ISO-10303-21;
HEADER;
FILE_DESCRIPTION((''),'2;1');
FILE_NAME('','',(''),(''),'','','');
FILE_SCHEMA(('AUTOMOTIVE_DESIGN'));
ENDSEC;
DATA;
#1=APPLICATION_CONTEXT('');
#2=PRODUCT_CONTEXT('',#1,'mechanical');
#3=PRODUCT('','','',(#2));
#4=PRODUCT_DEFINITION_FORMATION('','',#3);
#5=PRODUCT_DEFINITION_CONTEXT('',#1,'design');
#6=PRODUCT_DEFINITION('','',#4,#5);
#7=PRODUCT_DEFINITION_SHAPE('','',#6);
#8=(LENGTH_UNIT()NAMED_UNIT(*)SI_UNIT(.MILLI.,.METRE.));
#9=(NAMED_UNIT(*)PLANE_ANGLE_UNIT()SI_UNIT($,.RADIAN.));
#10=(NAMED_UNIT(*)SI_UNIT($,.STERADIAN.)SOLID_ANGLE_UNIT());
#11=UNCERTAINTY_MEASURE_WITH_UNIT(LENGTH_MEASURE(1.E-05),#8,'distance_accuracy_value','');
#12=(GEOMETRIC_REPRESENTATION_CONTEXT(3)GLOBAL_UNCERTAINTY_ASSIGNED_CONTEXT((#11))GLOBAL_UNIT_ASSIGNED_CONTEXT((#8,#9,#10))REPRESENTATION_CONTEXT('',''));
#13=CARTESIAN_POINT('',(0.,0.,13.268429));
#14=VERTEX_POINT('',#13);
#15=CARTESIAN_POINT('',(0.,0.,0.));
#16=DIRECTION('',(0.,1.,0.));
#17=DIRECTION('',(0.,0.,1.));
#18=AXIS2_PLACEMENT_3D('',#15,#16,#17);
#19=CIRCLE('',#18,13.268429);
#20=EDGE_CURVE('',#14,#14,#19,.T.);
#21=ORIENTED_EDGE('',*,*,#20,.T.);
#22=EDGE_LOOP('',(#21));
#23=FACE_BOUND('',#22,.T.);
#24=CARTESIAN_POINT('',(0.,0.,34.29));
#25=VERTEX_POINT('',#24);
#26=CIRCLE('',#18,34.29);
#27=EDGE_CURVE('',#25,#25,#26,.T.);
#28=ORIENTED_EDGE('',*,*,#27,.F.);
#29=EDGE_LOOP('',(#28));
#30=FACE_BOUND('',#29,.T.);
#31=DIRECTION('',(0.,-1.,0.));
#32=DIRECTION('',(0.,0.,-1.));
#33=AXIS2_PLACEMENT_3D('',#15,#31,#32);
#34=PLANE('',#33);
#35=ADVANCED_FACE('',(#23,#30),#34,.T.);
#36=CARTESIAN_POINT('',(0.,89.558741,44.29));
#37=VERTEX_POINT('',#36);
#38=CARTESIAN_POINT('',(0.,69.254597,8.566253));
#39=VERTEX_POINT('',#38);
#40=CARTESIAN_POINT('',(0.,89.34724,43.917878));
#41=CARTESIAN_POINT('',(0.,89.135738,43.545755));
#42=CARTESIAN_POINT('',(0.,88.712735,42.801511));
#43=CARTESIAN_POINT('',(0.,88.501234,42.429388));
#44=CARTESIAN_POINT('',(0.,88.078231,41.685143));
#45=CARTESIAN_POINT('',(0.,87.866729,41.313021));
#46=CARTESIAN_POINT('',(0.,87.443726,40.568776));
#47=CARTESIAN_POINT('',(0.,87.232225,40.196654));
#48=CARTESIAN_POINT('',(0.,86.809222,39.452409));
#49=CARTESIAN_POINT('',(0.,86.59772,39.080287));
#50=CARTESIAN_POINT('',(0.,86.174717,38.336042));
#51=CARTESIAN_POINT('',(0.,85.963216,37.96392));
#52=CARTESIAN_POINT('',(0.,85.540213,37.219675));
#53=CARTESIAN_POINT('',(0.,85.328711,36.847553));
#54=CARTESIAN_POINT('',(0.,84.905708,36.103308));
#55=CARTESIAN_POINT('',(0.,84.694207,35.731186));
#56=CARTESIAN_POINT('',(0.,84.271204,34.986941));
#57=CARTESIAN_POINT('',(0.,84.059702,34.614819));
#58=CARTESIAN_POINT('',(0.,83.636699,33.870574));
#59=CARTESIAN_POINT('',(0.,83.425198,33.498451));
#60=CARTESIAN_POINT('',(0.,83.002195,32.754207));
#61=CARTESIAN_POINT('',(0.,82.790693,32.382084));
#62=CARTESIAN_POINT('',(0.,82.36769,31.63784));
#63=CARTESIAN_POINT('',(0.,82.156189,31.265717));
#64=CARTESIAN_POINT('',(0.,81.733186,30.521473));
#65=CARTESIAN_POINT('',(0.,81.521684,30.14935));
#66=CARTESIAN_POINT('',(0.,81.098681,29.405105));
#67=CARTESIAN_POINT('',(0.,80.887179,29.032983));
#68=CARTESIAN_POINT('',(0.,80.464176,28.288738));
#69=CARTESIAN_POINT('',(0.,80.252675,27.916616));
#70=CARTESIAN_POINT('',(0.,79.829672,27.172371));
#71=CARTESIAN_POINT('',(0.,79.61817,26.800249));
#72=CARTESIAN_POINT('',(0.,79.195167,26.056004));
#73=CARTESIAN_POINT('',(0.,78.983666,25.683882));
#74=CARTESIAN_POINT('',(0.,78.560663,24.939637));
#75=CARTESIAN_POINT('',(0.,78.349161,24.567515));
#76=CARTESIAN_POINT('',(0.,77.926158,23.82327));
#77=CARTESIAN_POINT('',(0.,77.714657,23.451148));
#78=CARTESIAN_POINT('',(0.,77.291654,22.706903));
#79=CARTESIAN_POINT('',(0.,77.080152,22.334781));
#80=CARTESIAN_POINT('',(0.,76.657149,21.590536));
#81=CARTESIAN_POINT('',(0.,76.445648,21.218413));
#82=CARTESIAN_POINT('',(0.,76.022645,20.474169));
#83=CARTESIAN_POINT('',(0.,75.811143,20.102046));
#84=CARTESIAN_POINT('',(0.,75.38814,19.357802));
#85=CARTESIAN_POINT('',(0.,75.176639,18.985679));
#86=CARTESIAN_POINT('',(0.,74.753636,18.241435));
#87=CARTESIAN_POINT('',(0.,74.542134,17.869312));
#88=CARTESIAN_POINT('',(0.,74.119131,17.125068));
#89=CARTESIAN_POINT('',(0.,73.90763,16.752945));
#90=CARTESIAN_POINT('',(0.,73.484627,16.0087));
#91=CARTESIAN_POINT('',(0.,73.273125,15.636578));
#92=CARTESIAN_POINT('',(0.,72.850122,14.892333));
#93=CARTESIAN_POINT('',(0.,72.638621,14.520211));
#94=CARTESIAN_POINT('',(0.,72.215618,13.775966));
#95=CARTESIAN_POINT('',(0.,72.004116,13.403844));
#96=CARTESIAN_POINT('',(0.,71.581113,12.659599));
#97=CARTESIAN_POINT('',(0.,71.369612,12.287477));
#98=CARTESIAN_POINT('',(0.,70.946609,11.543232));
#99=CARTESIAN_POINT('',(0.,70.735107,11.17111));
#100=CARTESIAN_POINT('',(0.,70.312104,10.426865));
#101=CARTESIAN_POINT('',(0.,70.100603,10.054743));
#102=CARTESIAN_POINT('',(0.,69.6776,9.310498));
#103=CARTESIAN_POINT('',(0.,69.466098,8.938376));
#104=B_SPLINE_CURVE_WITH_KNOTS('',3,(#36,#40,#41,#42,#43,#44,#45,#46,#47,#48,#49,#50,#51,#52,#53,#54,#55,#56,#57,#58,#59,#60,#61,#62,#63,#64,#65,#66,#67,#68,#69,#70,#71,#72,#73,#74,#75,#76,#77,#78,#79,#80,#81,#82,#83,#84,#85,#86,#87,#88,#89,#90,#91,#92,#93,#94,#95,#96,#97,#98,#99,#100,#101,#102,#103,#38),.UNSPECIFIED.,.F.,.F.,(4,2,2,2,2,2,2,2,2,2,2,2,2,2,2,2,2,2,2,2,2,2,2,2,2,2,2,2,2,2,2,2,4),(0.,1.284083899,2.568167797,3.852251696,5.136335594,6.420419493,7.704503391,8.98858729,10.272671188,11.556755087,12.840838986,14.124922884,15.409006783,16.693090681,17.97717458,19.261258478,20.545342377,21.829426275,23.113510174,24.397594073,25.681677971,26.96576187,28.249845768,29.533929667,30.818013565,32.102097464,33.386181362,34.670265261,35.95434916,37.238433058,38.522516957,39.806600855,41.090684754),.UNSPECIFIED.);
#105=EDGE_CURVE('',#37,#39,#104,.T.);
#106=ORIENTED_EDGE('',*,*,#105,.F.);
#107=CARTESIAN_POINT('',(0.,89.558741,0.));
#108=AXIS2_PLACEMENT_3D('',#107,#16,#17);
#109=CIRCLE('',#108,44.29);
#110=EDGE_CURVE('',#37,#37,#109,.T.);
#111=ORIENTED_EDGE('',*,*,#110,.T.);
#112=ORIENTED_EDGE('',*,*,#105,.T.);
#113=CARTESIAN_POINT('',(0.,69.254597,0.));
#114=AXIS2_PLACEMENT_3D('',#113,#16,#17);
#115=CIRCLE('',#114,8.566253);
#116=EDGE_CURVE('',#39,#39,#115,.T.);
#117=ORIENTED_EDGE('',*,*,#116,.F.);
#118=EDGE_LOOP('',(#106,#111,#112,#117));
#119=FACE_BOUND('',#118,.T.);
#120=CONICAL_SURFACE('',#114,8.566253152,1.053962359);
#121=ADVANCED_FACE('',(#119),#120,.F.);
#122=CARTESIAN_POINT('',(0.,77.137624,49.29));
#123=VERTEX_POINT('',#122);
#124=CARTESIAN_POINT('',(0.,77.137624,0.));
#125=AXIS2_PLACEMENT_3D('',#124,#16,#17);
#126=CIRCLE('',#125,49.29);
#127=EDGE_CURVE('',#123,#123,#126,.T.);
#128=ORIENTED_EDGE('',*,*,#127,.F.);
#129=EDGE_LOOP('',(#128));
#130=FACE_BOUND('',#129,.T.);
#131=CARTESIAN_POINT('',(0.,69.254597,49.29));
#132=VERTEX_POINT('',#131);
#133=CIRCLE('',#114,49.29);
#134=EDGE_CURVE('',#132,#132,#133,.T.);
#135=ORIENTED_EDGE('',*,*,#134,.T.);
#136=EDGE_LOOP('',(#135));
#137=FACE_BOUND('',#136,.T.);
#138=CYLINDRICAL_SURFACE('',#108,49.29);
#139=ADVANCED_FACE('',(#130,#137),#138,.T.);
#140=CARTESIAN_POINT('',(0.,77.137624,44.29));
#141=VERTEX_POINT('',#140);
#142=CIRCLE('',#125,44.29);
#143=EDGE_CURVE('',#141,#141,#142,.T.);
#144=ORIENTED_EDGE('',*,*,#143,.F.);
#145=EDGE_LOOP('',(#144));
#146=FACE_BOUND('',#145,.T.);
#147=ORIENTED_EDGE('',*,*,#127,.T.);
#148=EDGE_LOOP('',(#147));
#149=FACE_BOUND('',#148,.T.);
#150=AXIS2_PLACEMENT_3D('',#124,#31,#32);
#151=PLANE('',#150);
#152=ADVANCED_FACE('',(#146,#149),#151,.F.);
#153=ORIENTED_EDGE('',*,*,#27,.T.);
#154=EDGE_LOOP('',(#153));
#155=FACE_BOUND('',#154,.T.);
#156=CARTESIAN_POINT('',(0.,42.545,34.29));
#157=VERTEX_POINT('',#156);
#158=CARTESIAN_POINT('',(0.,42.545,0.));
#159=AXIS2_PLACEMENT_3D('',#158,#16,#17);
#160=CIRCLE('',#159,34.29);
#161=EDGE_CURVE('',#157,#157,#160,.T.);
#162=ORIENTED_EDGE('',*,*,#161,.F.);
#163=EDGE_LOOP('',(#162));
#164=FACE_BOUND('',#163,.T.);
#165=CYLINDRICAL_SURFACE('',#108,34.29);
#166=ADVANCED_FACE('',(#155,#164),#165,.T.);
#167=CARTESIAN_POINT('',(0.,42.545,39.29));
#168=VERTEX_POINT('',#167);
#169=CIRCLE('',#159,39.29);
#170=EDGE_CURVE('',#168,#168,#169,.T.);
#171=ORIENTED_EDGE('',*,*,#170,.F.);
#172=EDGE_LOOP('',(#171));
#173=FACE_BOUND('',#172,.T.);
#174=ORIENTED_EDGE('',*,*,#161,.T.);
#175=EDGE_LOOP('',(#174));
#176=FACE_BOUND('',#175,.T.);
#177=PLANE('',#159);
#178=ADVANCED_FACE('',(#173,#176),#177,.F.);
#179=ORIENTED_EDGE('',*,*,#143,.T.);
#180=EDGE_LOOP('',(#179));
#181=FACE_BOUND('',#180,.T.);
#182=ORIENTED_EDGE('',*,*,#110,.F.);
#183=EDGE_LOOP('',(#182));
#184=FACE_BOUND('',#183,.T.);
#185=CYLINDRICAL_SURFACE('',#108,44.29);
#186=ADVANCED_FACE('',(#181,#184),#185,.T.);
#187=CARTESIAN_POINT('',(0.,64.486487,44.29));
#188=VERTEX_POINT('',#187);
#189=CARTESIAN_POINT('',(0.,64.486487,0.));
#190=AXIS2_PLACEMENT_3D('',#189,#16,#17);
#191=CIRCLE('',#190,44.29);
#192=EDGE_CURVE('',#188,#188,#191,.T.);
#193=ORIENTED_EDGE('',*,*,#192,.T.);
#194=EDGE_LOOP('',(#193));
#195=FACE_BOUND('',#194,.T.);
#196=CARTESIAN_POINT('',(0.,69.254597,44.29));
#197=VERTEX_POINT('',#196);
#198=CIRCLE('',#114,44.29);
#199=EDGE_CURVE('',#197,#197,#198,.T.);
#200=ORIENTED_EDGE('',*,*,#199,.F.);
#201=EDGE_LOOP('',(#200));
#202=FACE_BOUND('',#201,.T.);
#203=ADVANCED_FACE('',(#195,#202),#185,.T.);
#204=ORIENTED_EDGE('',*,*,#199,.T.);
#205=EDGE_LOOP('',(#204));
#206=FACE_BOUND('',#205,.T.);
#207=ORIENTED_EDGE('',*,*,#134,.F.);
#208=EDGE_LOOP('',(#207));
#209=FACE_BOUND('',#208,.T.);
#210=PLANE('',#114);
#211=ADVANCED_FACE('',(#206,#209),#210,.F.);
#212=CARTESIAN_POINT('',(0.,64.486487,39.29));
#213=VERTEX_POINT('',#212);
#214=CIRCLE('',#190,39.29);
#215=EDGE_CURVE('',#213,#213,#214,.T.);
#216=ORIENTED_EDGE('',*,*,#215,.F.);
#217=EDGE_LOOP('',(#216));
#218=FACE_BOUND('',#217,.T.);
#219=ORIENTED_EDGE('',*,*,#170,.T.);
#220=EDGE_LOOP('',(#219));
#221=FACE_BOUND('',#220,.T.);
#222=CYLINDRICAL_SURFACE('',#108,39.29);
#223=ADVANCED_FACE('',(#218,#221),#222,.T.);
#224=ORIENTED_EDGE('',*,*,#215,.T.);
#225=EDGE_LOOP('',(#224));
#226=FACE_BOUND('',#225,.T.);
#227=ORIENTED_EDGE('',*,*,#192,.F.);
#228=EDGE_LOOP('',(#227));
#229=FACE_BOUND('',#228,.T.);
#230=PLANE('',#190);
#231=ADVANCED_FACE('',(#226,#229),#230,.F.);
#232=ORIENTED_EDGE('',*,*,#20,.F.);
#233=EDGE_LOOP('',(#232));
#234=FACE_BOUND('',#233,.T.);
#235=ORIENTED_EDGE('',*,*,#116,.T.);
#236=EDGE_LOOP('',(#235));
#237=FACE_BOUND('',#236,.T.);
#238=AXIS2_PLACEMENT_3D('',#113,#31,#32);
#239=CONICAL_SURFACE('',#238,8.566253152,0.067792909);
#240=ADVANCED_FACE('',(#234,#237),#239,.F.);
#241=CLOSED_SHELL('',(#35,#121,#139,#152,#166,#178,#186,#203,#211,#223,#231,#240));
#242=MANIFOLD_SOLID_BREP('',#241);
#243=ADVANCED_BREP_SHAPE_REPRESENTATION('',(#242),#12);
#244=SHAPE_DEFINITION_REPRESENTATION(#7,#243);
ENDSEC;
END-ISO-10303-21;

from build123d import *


with BuildPart() as part:
    # Sketch2 → Revolve2 (revolve)
    with BuildSketch(Plane.XY, mode=Mode.PRIVATE) as revolve2_sk:
        Polygon((13.26842947, 0), (34.29, 0), (34.29, 42.545), (39.29, 42.545), (39.29, 64.486486594), (44.29, 64.486486594), (44.29, 69.254596693), (49.29, 69.254596693), (49.29, 77.137624246), (44.29, 77.137624246), (44.29, 89.558741212), (8.566253152, 69.254596693), align=None)
    revolve(revolve2_sk.sketch.rotate(Axis((0, 89.558741212, 0), (0, -1, 0)), 90), axis=Axis((0, 89.558741212, 0), (0, -1, 0)))


solid = part.part
